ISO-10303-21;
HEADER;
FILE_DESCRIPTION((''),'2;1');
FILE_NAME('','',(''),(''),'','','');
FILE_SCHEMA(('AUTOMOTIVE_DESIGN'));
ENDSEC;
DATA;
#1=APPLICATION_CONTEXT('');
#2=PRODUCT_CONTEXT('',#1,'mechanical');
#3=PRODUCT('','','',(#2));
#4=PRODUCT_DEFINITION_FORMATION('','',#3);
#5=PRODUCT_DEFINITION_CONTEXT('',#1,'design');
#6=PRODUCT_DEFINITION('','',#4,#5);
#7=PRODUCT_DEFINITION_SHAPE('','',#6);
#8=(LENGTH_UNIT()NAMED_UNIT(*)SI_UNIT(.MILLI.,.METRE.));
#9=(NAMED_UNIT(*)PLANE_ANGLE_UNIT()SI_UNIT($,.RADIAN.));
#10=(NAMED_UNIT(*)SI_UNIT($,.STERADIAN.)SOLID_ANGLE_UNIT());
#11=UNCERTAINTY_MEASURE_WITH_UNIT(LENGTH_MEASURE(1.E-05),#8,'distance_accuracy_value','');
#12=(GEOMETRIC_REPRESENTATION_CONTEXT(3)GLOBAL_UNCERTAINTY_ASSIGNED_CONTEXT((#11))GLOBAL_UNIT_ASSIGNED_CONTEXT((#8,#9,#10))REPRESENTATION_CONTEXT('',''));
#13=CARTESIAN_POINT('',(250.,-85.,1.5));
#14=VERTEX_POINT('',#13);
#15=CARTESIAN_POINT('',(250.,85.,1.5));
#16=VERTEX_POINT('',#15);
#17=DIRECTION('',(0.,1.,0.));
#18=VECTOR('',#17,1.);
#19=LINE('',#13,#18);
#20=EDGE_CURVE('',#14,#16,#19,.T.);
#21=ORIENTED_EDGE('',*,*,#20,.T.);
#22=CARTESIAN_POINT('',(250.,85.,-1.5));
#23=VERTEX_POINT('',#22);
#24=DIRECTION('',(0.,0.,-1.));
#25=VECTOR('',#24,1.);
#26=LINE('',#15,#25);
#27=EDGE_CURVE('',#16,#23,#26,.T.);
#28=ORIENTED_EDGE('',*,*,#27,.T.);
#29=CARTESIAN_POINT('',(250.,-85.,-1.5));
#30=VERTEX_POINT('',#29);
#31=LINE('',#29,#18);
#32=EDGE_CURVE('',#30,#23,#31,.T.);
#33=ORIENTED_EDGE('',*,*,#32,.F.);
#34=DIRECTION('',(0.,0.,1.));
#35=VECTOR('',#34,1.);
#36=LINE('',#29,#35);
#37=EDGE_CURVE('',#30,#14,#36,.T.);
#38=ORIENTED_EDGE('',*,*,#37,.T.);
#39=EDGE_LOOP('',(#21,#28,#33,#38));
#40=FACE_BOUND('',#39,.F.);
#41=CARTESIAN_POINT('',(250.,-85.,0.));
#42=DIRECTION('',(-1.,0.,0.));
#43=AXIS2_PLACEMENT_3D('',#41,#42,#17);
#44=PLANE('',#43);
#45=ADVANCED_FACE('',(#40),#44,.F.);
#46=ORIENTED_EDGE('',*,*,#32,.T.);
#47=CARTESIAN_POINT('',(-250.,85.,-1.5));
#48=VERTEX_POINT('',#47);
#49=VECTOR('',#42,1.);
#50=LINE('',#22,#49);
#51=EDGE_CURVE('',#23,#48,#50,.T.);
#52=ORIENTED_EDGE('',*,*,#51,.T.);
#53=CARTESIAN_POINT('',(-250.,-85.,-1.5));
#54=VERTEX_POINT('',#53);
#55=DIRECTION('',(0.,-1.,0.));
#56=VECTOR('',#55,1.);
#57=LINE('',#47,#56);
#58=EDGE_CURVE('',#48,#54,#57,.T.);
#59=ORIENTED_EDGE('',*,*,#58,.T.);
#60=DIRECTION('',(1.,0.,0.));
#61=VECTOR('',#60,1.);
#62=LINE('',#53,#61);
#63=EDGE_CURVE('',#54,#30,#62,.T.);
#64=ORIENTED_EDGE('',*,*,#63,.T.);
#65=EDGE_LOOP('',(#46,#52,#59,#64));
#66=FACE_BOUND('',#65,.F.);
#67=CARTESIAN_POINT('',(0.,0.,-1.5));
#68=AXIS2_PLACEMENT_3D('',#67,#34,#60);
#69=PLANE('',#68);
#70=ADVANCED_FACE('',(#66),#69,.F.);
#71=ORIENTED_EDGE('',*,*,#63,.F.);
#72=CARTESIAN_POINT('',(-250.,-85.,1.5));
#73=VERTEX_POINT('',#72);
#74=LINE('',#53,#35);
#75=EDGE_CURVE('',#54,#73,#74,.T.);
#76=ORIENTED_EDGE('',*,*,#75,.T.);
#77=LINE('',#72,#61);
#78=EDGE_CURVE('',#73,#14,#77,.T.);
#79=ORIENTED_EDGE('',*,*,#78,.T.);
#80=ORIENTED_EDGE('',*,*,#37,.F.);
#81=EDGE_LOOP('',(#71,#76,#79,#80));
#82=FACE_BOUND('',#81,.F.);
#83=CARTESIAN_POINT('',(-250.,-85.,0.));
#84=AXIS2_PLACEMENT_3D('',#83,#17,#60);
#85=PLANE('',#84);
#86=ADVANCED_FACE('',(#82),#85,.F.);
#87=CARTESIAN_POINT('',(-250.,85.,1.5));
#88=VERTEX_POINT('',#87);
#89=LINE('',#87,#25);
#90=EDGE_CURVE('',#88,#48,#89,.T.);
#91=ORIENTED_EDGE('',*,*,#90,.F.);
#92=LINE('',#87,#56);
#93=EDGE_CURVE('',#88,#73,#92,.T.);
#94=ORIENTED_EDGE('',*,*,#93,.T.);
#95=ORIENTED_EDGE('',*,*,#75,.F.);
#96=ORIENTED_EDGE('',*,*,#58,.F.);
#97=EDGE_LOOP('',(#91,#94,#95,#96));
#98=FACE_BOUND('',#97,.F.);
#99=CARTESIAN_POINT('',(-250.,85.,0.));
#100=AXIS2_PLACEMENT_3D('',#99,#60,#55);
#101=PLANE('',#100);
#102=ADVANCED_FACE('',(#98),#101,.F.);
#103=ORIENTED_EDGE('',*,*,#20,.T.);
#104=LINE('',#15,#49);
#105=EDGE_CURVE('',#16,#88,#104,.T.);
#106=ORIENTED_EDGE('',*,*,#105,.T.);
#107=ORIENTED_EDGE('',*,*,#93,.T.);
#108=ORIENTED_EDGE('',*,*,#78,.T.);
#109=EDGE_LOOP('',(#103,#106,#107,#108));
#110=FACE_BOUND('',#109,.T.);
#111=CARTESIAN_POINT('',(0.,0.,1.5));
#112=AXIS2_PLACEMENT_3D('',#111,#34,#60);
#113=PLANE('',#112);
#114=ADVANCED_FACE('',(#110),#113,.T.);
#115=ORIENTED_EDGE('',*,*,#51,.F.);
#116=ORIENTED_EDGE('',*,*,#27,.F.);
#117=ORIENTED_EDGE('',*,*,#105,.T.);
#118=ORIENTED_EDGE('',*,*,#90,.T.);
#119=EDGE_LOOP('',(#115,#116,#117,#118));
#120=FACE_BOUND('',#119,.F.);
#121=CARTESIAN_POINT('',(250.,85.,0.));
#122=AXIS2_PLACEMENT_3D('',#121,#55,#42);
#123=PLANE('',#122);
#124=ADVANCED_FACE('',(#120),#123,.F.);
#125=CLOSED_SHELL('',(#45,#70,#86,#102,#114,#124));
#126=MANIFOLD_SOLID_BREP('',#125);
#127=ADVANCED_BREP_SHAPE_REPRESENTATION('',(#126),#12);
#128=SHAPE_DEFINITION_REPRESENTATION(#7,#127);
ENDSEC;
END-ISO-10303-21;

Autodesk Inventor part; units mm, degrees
ref_plane "YZ Plane" through (0, 0, 0) normal (1, 0, 0) x (0, 1, 0)
ref_plane "XZ Plane" through (0, 0, 0) normal (0, 1, 0) x (-1, 0, 0)
ref_plane "XY Plane" through (0, 0, 0) normal (0, 0, 1) x (1, 0, 0)
sketch "Sketch1" plane through (0, 0, 0) normal (0, 0, 1) x (1, 0, 0)
  line L0 (-250, -85) -> (250, -85)
  line L1 (250, -85) -> (250, 85)
  line L2 (250, 85) -> (-250, 85)
  line L3 (-250, 85) -> (-250, -85)
  line L4 (-250, -85) -> (250, 85) construction
  line L5 (250, -85) -> (-250, 85) construction
  point P0 (0, 0)
  dimension "d0" = 500
  dimension "d1" = 170
extrude "Extrusion1" add sketch "Sketch1" along normal mid plane 3
properties part number "Mecanismo_base_al"
